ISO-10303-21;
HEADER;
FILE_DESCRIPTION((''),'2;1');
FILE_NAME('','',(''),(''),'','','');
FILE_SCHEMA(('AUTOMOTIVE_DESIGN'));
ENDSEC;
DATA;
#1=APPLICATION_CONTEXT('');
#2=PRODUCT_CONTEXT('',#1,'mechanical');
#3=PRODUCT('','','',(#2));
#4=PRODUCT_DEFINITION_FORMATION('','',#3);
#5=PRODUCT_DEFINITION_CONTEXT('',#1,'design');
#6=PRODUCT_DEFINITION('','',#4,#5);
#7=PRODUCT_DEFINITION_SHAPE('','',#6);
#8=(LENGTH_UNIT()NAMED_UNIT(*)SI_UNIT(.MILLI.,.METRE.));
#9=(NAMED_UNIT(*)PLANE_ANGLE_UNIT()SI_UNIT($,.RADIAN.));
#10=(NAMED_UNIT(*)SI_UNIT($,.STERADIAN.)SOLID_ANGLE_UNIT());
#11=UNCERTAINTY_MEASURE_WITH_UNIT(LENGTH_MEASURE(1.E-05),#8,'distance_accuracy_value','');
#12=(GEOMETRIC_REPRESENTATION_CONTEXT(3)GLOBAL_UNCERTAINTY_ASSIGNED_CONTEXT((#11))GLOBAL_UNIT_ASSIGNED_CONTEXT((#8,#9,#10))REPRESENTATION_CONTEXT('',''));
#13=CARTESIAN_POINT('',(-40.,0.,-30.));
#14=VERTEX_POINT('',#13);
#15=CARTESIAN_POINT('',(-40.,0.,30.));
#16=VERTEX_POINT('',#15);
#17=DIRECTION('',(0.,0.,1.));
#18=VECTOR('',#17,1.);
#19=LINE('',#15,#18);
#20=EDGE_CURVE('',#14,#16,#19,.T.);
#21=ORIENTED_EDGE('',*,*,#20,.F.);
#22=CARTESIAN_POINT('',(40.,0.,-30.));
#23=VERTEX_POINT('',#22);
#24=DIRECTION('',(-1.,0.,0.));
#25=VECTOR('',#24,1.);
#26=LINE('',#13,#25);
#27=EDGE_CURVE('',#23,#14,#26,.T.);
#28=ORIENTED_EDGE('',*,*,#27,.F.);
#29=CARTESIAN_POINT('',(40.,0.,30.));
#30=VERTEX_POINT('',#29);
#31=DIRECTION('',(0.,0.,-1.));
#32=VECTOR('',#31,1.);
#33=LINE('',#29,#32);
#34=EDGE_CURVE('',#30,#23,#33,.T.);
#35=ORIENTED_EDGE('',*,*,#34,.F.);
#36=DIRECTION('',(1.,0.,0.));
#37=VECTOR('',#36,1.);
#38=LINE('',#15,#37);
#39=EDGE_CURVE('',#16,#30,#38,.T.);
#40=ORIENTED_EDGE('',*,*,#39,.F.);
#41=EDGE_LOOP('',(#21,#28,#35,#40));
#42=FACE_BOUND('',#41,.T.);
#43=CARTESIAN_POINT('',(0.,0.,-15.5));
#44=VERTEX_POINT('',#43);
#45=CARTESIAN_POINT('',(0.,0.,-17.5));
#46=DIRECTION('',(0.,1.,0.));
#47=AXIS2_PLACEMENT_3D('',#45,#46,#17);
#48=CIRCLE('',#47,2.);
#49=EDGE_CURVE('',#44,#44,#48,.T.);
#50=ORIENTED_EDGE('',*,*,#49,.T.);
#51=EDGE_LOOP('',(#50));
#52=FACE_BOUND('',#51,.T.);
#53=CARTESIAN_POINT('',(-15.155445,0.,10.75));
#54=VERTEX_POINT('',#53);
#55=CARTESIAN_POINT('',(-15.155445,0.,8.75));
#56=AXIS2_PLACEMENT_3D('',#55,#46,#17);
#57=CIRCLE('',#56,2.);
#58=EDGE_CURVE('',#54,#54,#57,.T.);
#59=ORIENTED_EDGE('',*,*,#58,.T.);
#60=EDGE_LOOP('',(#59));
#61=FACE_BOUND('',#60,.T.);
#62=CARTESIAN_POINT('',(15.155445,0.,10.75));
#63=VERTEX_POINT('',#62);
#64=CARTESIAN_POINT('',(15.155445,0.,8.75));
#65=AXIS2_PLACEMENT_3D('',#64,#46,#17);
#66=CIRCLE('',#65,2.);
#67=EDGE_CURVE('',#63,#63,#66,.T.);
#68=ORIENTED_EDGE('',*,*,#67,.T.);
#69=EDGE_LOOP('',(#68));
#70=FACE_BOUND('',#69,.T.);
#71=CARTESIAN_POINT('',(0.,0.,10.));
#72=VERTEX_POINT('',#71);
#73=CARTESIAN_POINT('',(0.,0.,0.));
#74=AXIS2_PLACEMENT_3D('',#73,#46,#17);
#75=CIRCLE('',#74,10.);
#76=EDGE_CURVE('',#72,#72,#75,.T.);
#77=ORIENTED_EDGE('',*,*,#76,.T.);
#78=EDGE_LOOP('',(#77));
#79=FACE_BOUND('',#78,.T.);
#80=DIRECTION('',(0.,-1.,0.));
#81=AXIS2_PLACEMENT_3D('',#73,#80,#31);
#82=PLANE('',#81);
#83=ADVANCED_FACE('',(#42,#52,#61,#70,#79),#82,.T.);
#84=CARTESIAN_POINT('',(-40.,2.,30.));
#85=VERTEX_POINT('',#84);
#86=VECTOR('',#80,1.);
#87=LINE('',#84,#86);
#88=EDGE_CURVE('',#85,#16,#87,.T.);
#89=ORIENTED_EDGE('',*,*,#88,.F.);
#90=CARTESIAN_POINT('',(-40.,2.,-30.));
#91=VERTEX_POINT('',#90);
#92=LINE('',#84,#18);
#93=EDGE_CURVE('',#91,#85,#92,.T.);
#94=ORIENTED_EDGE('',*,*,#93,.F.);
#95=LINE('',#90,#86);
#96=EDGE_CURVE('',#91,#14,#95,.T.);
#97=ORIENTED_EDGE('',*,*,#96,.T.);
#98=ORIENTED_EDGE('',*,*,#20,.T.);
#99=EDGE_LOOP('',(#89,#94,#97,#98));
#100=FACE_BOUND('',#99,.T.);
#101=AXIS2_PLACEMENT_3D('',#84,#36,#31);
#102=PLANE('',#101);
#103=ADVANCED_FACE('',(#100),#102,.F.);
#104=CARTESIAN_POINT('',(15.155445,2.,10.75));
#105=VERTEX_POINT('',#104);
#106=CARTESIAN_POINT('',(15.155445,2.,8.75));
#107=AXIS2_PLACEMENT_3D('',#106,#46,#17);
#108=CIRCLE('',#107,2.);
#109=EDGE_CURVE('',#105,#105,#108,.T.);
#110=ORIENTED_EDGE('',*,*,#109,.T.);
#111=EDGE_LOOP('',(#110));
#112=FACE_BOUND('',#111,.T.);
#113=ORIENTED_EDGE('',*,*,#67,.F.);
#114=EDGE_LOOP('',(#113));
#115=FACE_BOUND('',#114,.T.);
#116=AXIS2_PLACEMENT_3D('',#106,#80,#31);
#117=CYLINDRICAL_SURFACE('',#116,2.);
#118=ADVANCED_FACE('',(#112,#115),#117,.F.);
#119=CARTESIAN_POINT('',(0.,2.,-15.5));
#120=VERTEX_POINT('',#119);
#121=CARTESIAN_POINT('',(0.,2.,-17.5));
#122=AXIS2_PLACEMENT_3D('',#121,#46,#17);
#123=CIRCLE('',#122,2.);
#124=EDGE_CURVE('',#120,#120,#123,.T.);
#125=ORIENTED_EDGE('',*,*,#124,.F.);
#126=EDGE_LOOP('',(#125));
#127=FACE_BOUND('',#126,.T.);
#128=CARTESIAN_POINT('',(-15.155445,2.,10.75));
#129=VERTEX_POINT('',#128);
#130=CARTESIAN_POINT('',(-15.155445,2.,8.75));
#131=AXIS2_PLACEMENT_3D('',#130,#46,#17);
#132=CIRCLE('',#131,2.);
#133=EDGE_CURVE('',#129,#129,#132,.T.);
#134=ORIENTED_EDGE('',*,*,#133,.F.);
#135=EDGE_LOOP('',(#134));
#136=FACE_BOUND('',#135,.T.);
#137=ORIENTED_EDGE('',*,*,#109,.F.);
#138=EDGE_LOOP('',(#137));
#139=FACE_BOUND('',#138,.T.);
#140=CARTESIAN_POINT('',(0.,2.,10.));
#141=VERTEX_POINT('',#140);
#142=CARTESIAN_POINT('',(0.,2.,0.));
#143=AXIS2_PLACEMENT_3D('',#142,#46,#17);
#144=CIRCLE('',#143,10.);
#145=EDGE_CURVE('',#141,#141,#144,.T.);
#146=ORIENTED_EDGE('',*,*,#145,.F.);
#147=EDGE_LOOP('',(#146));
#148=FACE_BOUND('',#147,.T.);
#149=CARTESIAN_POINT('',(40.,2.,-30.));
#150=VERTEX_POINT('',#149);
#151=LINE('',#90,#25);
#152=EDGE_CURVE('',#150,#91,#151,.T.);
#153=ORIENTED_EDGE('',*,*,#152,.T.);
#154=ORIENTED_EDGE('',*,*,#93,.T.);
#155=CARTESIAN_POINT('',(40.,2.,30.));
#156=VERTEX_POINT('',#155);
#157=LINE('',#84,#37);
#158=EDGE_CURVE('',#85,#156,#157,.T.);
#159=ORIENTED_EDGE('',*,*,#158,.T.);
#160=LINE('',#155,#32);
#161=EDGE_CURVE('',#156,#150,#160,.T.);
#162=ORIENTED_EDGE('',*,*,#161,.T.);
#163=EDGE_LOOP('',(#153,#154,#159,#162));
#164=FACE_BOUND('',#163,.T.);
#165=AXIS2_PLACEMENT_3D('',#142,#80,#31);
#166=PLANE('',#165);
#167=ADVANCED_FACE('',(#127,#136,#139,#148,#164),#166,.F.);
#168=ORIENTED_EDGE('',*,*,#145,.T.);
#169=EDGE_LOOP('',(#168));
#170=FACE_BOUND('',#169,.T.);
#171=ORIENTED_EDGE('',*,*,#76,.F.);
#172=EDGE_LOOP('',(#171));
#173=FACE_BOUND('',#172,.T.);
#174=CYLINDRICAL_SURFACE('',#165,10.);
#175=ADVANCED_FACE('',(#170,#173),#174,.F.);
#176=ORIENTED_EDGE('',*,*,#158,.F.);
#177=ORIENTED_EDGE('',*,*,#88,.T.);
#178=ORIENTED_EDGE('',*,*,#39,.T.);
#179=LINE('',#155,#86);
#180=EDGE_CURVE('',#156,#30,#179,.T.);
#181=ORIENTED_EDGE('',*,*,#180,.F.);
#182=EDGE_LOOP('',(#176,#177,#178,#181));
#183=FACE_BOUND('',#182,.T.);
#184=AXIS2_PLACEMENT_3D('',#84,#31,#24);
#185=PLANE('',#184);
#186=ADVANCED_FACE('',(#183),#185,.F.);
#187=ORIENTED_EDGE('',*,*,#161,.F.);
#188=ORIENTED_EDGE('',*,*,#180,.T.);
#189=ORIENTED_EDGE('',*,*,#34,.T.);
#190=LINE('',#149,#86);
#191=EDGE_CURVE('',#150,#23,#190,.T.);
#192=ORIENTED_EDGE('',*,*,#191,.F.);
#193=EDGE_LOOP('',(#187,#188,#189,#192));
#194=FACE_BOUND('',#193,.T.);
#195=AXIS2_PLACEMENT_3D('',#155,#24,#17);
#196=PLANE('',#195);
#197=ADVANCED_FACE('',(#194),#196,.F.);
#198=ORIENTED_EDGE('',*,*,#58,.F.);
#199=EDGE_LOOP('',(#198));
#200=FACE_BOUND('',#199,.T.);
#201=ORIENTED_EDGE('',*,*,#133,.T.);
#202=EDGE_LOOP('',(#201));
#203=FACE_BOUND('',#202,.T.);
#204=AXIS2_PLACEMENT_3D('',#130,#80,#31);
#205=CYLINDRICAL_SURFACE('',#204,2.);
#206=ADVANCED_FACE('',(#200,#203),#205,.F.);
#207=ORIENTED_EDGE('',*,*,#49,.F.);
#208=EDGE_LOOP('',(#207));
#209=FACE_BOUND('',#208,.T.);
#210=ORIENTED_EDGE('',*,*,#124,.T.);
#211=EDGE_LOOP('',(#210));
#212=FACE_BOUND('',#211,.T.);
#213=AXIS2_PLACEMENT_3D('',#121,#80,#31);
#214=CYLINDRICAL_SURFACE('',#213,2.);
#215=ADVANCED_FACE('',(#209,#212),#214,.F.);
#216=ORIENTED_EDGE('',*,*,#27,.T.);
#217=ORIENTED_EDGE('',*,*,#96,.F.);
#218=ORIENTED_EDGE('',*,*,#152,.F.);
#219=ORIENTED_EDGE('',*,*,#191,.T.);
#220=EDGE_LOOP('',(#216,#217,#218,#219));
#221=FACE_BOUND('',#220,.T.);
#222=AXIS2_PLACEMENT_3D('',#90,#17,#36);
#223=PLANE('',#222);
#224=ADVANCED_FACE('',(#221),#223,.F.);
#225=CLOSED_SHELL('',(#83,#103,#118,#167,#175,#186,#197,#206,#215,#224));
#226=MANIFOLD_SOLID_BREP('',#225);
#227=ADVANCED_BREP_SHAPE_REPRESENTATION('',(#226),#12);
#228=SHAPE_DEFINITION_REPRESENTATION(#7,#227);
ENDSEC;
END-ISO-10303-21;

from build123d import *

# Parameters (mm, degrees)
ESQUISSE1_W        = 80
ESQUISSE1_H        = 60
ESQUISSE1_R        = 2
ESQUISSE1_R_2      = 10
BOSS_EXTRU_1_DEPTH = 2


with BuildPart() as part:
    # Esquisse1 → Boss.-Extru.1 (new body)
    with BuildSketch(Plane(origin=(0, 0, 0), x_dir=(1, 0, 0), z_dir=(0, 1, 0))):
        Rectangle(ESQUISSE1_W, ESQUISSE1_H)
        with Locations(Location((15.155444566, -8.75, 0), (0, 0, 270))):
            Circle(ESQUISSE1_R, mode=Mode.SUBTRACT)
        with Locations(Location((-15.155444566, -8.75, 0), (0, 0, 270))):
            Circle(ESQUISSE1_R, mode=Mode.SUBTRACT)
        with Locations(Location((0, 17.5, 0), (0, 0, 270))):
            Circle(ESQUISSE1_R, mode=Mode.SUBTRACT)
        with Locations(Location((0, 0, 0), (0, 0, 270))):
            Circle(ESQUISSE1_R_2, mode=Mode.SUBTRACT)
    extrude(amount=BOSS_EXTRU_1_DEPTH)


solid = part.part
